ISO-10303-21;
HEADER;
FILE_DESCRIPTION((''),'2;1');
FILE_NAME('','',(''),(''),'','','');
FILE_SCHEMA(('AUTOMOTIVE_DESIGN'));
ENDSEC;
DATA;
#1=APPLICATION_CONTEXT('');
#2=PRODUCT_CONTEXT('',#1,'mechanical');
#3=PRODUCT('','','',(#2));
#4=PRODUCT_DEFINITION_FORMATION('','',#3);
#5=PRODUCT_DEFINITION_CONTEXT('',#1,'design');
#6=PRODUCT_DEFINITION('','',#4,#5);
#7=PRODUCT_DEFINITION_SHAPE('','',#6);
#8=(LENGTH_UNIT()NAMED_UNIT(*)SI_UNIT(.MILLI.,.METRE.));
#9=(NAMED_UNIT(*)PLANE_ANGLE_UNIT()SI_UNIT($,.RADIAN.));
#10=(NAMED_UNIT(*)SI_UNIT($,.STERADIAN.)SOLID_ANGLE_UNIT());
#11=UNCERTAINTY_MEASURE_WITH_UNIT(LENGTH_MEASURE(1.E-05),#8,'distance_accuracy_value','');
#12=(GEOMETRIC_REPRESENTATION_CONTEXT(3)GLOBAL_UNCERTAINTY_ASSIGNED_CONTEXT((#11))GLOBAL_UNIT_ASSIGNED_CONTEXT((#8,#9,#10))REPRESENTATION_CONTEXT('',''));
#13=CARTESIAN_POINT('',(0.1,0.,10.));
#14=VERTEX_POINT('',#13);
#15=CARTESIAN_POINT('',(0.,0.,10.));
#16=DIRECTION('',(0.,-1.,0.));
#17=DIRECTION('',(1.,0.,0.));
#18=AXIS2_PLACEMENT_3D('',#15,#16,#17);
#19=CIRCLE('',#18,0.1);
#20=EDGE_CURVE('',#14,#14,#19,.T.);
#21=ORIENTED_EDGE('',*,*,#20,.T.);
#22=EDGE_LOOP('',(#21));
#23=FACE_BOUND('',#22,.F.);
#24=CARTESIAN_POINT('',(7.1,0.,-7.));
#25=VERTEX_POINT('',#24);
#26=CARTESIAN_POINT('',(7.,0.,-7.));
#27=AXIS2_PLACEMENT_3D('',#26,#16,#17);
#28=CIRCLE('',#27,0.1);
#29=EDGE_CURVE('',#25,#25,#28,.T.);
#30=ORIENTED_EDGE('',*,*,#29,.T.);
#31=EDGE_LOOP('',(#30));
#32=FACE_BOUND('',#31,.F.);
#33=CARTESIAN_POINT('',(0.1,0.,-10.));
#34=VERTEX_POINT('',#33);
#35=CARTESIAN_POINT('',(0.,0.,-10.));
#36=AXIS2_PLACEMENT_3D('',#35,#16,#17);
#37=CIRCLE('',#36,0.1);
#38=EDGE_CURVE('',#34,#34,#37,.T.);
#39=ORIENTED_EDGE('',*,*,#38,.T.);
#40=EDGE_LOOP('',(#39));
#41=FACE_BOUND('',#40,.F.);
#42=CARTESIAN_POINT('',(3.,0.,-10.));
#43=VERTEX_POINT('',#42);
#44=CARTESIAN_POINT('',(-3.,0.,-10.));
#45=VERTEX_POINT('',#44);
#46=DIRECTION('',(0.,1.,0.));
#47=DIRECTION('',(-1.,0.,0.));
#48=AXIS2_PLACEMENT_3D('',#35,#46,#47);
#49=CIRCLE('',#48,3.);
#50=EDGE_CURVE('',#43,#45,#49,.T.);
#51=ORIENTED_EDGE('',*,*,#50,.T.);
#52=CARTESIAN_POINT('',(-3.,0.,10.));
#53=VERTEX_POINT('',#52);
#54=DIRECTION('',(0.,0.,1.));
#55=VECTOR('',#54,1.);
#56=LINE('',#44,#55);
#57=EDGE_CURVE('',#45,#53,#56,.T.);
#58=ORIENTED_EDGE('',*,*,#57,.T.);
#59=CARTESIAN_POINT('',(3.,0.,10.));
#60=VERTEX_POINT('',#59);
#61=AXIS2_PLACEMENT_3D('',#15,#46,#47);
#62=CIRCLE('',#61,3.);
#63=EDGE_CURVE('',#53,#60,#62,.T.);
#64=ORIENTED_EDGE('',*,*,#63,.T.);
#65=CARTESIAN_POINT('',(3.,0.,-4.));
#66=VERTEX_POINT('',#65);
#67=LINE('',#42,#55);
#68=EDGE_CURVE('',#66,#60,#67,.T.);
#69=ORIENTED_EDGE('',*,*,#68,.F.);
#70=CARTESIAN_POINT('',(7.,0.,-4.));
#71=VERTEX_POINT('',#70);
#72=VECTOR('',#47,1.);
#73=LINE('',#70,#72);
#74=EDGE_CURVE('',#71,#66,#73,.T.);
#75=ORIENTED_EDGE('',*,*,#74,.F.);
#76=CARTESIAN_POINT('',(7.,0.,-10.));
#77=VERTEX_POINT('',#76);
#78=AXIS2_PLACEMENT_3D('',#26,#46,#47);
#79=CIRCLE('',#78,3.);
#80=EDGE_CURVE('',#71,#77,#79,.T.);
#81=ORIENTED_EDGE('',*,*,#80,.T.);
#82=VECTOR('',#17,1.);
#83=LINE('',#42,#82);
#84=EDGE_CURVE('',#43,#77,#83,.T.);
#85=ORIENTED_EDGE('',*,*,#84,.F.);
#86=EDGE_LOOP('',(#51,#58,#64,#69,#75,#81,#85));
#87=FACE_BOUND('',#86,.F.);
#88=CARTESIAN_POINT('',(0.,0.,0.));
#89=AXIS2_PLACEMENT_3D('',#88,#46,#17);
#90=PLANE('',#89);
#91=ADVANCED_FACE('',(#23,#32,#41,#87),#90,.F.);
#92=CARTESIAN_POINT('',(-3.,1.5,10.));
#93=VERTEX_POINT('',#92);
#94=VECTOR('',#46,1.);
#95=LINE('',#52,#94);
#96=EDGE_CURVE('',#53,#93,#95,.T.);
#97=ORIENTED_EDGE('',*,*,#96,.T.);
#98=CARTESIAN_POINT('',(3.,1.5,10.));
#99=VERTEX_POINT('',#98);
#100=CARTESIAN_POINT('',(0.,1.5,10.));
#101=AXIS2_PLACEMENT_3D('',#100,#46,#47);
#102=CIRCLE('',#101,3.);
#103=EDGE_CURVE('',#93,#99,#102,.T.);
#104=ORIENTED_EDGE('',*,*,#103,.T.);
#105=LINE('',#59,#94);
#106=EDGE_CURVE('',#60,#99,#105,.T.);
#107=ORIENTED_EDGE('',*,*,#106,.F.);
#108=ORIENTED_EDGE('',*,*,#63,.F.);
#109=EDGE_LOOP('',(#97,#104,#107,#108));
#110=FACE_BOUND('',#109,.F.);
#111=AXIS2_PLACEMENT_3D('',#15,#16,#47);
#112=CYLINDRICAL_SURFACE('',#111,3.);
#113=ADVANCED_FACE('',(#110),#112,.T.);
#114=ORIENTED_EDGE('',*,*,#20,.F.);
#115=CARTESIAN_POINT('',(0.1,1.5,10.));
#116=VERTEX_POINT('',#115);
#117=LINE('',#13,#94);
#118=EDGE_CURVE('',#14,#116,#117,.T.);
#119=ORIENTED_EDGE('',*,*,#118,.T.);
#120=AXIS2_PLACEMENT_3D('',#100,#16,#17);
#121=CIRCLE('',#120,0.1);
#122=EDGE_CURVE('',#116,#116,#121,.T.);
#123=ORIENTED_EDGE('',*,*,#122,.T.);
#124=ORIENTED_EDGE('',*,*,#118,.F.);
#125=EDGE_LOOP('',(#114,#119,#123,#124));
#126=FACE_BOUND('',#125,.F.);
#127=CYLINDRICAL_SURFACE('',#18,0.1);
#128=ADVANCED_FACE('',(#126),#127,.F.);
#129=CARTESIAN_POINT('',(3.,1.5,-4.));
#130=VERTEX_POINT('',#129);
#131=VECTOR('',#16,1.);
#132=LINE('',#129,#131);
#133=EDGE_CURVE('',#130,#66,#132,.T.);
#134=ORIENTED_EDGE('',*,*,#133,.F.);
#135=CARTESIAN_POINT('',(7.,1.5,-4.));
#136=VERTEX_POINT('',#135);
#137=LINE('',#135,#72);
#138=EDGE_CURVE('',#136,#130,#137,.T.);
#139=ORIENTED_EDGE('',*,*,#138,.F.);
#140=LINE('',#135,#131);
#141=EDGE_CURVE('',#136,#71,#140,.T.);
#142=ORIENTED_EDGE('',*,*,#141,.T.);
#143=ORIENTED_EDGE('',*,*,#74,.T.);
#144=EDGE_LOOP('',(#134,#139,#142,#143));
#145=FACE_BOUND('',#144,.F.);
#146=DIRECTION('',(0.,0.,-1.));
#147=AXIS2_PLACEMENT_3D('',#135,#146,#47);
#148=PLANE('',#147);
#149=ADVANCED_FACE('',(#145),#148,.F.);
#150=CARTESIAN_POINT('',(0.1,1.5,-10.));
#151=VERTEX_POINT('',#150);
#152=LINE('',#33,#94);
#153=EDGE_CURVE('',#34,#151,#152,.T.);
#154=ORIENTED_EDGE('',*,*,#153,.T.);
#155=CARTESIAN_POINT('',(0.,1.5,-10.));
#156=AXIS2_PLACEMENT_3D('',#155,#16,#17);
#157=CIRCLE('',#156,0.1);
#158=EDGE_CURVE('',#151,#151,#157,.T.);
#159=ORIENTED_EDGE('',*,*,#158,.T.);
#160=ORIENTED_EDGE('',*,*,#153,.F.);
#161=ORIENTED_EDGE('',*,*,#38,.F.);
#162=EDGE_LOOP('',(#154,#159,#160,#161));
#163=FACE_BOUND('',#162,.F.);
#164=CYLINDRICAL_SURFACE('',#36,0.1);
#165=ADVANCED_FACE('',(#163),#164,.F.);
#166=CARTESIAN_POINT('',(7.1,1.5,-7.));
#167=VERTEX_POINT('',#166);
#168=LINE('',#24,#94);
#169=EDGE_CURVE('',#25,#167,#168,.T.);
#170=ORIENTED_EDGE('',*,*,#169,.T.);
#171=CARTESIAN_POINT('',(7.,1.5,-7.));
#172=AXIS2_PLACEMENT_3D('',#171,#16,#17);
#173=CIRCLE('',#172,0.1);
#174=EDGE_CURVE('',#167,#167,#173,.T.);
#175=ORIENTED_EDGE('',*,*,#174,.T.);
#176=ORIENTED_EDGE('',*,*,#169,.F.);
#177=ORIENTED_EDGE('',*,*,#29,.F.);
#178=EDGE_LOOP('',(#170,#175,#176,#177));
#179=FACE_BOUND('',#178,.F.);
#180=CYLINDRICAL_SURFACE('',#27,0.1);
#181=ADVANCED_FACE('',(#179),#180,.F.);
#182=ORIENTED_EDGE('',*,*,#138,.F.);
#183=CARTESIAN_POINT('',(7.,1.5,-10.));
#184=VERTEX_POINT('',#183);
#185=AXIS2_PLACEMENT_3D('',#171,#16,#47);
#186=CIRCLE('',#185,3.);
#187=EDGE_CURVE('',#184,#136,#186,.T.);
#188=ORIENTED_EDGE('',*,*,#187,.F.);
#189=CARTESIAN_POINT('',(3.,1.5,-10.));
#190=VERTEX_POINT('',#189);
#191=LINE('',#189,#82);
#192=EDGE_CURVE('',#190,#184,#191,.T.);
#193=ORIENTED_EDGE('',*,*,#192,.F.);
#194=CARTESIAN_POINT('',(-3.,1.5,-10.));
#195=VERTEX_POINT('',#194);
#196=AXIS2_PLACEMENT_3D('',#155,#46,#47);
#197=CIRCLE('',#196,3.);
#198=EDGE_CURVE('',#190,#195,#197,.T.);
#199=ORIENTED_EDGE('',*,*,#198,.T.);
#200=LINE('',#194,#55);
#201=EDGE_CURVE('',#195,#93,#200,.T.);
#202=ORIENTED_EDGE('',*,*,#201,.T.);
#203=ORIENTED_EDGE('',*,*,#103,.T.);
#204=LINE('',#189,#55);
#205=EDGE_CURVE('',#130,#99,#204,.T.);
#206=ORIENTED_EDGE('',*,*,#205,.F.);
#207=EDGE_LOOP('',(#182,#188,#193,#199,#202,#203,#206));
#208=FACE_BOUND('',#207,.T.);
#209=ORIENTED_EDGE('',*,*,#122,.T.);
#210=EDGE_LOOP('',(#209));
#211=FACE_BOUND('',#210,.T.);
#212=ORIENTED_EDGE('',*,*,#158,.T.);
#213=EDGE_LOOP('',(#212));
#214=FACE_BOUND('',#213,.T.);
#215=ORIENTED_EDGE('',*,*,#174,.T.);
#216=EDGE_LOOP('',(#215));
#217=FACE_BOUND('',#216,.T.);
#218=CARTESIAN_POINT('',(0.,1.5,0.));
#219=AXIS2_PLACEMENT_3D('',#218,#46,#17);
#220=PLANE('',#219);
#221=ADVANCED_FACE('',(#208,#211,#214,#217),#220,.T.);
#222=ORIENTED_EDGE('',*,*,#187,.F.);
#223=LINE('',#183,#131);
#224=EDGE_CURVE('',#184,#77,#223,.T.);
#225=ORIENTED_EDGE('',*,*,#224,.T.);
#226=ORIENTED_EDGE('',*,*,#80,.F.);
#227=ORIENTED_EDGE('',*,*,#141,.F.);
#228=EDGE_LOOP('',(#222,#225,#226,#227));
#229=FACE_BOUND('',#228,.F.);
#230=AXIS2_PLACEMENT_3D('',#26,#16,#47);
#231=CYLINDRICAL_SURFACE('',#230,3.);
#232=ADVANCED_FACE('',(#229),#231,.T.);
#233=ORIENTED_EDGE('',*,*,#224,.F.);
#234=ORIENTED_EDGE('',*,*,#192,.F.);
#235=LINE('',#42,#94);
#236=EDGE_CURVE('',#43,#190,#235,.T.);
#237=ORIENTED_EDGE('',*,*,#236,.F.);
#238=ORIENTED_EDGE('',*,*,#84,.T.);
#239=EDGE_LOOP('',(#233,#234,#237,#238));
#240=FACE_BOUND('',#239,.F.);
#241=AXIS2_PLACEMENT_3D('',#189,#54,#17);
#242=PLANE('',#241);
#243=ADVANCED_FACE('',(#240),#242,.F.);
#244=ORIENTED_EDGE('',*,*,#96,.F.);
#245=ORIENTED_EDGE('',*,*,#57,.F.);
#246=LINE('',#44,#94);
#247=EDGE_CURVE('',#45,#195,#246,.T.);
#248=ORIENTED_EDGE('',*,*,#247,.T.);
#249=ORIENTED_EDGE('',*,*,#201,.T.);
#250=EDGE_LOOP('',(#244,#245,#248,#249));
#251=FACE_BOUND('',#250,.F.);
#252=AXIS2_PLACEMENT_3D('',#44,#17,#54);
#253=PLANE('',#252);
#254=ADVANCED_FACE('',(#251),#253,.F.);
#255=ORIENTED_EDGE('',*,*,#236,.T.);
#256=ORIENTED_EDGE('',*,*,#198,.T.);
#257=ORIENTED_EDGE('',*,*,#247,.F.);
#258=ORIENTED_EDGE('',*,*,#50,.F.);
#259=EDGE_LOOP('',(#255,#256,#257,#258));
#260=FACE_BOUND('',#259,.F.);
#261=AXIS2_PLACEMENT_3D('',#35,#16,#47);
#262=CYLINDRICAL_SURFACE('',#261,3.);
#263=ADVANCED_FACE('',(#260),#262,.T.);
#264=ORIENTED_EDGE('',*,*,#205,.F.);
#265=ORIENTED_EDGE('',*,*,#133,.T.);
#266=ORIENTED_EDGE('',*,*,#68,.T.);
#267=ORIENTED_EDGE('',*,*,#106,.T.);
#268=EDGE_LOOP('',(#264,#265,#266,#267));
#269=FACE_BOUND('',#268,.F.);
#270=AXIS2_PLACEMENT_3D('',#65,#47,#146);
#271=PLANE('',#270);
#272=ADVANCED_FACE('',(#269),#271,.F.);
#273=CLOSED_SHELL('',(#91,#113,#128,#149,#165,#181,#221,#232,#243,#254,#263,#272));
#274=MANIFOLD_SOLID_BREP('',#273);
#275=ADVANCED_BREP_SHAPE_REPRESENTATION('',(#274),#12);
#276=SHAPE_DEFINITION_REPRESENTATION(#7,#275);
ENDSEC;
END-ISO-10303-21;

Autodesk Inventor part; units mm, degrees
ref_plane "YZ Plane" through (0, 0, 0) normal (1, 0, 0) x (0, 1, 0)
ref_plane "XZ Plane" through (0, 0, 0) normal (0, 1, 0) x (-1, 0, 0)
ref_plane "XY Plane" through (0, 0, 0) normal (0, 0, 1) x (1, 0, 0)
sketch "Sketch1" plane through (0, 0, 0) normal (0, 1, 0) x (-1, 0, 0)
  line L0 (3, 10) -> (-3, 10)
  line L1 (-3, 10) -> (-3, -10)
  line L2 (-3, -10) -> (3, -10)
  line L3 (3, -10) -> (3, 10)
  line L4 (3, 10) -> (-3, -10) construction
  line L5 (-3, 10) -> (3, -10) construction
  circle A0 centre (0, 10) radius 3
  circle A1 centre (0, -10) radius 3
  line L6 (-3, -10) -> (-7, -10)
  line L7 (-7, -10) -> (-7, -6)
  line L8 (-7, -6) -> (-7, -4)
  line L9 (-7, -4) -> (-3, -4)
  line L10 (-7, -4) -> (-7, -7)
  circle A2 centre (-7, -7) radius 3
  line L11 (-3, -4) -> (-3, -10)
  point P0 (0, 0)
  dimension "d0" = 6
  dimension "d1" = 20
  dimension "d2" = 6
  dimension "d4" = 6
  dimension "d5" = 4
  dimension "d6" = 4
  dimension "d7" = 2
  dimension "d10" = 3
  dimension "d11" = 6
extrude "Extrusion1" add sketch "Sketch1" along normal blind 1.5 contours A0 L0 | L0 A0 | L3 A1 L1 A0 | A1 L2 | L2 A1 | A2 L7 L8 | L8 L7 A2
sketch "Sketch2" plane through (0, 1.5, 0) normal (0, 1, 0) x (1, 0, 0)
  line L0 (3, -10) -> (3, 10) projected
  arc A0 (3, 10) -> (-3, 10) centre (0, 10) ccw projected
  line L1 (-3, 10) -> (-3, -10) projected
  arc A1 (-3, -10) -> (3, -10) centre (0, -10) ccw projected
  circle A2 centre (0, 10) radius 1.5
  circle A3 centre (0, -10) radius 1.5
  line L2 (3, 10) -> (7, 10)
  line L3 (7, 10) -> (7, 4)
  line L4 (7, 4) -> (3, 4)
  line L5 (3, 4) -> (3, 10)
  point P0 (0, 0)
  dimension "d14" = 3
  dimension "d15" = 3
  dimension "d16" = 4
  dimension "d17" = 6
extrude "Extrusion2" cut sketch "Sketch2" against normal blind 1.5 contours L0 L2 L3 L4 | A2 | A3
sketch "Sketch3" plane through (0, 1.5, 0) normal (0, 1, 0) x (1, 0, 0)
  line L0 (3, -10) -> (3, 10) projected
  arc A0 (3, 10) -> (-3, 10) centre (0, 10) ccw projected
  line L1 (-3, 10) -> (-3, -10) projected
  line L2 (3, 10) -> (7, 10)
  line L3 (7, 10) -> (7, 4)
  line L4 (7, 4) -> (3, 4)
  line L5 (3, 4) -> (3, 10)
  point P0 (0, 0)
  dimension "d20" = 4
  dimension "d21" = 6
  dimension "d22" = 4
extrude "Extrusion3" add sketch "Sketch3" against normal blind 1.5
sketch "Sketch4" plane through (0, 1.5, 0) normal (0, 1, 0) x (1, 0, 0)
  arc A0 (7, 4) -> (7, 10) centre (7, 7) ccw projected
  circle A1 centre (7, 7) radius 1.5
  point P0 (0, 0)
  dimension "d25" = 3
extrude "Extrusion4" cut sketch "Sketch4" against normal blind 1.5
sketch "Sketch5" plane through (0, 0, 0) normal (0, -1, 0) x (1, 0, 0)
  circle A0 centre (7, -7) radius 1.5 projected
  circle A1 centre (0, 10) radius 1.5 projected
  circle A2 centre (0, -10) radius 1.5 projected
  arc A3 (7, -10) -> (7, -4) centre (7, -7) ccw projected
  arc A4 (3, 10) -> (-3, 10) centre (0, 10) ccw projected
  arc A5 (-3, -10) -> (3, -10) centre (0, -10) ccw projected
  circle A6 centre (0, 10) radius 0.1
  circle A7 centre (0, -10) radius 0.1
  circle A8 centre (7, -7) radius 0.1
  point P0 (0, 0)
  dimension "d28" = 0.2
  dimension "d29" = 0.2
  dimension "d30" = 0.2
extrude "Extrusion5" add sketch "Sketch5" against normal blind 1.5
properties part number "tahlo3_sablona_20"
